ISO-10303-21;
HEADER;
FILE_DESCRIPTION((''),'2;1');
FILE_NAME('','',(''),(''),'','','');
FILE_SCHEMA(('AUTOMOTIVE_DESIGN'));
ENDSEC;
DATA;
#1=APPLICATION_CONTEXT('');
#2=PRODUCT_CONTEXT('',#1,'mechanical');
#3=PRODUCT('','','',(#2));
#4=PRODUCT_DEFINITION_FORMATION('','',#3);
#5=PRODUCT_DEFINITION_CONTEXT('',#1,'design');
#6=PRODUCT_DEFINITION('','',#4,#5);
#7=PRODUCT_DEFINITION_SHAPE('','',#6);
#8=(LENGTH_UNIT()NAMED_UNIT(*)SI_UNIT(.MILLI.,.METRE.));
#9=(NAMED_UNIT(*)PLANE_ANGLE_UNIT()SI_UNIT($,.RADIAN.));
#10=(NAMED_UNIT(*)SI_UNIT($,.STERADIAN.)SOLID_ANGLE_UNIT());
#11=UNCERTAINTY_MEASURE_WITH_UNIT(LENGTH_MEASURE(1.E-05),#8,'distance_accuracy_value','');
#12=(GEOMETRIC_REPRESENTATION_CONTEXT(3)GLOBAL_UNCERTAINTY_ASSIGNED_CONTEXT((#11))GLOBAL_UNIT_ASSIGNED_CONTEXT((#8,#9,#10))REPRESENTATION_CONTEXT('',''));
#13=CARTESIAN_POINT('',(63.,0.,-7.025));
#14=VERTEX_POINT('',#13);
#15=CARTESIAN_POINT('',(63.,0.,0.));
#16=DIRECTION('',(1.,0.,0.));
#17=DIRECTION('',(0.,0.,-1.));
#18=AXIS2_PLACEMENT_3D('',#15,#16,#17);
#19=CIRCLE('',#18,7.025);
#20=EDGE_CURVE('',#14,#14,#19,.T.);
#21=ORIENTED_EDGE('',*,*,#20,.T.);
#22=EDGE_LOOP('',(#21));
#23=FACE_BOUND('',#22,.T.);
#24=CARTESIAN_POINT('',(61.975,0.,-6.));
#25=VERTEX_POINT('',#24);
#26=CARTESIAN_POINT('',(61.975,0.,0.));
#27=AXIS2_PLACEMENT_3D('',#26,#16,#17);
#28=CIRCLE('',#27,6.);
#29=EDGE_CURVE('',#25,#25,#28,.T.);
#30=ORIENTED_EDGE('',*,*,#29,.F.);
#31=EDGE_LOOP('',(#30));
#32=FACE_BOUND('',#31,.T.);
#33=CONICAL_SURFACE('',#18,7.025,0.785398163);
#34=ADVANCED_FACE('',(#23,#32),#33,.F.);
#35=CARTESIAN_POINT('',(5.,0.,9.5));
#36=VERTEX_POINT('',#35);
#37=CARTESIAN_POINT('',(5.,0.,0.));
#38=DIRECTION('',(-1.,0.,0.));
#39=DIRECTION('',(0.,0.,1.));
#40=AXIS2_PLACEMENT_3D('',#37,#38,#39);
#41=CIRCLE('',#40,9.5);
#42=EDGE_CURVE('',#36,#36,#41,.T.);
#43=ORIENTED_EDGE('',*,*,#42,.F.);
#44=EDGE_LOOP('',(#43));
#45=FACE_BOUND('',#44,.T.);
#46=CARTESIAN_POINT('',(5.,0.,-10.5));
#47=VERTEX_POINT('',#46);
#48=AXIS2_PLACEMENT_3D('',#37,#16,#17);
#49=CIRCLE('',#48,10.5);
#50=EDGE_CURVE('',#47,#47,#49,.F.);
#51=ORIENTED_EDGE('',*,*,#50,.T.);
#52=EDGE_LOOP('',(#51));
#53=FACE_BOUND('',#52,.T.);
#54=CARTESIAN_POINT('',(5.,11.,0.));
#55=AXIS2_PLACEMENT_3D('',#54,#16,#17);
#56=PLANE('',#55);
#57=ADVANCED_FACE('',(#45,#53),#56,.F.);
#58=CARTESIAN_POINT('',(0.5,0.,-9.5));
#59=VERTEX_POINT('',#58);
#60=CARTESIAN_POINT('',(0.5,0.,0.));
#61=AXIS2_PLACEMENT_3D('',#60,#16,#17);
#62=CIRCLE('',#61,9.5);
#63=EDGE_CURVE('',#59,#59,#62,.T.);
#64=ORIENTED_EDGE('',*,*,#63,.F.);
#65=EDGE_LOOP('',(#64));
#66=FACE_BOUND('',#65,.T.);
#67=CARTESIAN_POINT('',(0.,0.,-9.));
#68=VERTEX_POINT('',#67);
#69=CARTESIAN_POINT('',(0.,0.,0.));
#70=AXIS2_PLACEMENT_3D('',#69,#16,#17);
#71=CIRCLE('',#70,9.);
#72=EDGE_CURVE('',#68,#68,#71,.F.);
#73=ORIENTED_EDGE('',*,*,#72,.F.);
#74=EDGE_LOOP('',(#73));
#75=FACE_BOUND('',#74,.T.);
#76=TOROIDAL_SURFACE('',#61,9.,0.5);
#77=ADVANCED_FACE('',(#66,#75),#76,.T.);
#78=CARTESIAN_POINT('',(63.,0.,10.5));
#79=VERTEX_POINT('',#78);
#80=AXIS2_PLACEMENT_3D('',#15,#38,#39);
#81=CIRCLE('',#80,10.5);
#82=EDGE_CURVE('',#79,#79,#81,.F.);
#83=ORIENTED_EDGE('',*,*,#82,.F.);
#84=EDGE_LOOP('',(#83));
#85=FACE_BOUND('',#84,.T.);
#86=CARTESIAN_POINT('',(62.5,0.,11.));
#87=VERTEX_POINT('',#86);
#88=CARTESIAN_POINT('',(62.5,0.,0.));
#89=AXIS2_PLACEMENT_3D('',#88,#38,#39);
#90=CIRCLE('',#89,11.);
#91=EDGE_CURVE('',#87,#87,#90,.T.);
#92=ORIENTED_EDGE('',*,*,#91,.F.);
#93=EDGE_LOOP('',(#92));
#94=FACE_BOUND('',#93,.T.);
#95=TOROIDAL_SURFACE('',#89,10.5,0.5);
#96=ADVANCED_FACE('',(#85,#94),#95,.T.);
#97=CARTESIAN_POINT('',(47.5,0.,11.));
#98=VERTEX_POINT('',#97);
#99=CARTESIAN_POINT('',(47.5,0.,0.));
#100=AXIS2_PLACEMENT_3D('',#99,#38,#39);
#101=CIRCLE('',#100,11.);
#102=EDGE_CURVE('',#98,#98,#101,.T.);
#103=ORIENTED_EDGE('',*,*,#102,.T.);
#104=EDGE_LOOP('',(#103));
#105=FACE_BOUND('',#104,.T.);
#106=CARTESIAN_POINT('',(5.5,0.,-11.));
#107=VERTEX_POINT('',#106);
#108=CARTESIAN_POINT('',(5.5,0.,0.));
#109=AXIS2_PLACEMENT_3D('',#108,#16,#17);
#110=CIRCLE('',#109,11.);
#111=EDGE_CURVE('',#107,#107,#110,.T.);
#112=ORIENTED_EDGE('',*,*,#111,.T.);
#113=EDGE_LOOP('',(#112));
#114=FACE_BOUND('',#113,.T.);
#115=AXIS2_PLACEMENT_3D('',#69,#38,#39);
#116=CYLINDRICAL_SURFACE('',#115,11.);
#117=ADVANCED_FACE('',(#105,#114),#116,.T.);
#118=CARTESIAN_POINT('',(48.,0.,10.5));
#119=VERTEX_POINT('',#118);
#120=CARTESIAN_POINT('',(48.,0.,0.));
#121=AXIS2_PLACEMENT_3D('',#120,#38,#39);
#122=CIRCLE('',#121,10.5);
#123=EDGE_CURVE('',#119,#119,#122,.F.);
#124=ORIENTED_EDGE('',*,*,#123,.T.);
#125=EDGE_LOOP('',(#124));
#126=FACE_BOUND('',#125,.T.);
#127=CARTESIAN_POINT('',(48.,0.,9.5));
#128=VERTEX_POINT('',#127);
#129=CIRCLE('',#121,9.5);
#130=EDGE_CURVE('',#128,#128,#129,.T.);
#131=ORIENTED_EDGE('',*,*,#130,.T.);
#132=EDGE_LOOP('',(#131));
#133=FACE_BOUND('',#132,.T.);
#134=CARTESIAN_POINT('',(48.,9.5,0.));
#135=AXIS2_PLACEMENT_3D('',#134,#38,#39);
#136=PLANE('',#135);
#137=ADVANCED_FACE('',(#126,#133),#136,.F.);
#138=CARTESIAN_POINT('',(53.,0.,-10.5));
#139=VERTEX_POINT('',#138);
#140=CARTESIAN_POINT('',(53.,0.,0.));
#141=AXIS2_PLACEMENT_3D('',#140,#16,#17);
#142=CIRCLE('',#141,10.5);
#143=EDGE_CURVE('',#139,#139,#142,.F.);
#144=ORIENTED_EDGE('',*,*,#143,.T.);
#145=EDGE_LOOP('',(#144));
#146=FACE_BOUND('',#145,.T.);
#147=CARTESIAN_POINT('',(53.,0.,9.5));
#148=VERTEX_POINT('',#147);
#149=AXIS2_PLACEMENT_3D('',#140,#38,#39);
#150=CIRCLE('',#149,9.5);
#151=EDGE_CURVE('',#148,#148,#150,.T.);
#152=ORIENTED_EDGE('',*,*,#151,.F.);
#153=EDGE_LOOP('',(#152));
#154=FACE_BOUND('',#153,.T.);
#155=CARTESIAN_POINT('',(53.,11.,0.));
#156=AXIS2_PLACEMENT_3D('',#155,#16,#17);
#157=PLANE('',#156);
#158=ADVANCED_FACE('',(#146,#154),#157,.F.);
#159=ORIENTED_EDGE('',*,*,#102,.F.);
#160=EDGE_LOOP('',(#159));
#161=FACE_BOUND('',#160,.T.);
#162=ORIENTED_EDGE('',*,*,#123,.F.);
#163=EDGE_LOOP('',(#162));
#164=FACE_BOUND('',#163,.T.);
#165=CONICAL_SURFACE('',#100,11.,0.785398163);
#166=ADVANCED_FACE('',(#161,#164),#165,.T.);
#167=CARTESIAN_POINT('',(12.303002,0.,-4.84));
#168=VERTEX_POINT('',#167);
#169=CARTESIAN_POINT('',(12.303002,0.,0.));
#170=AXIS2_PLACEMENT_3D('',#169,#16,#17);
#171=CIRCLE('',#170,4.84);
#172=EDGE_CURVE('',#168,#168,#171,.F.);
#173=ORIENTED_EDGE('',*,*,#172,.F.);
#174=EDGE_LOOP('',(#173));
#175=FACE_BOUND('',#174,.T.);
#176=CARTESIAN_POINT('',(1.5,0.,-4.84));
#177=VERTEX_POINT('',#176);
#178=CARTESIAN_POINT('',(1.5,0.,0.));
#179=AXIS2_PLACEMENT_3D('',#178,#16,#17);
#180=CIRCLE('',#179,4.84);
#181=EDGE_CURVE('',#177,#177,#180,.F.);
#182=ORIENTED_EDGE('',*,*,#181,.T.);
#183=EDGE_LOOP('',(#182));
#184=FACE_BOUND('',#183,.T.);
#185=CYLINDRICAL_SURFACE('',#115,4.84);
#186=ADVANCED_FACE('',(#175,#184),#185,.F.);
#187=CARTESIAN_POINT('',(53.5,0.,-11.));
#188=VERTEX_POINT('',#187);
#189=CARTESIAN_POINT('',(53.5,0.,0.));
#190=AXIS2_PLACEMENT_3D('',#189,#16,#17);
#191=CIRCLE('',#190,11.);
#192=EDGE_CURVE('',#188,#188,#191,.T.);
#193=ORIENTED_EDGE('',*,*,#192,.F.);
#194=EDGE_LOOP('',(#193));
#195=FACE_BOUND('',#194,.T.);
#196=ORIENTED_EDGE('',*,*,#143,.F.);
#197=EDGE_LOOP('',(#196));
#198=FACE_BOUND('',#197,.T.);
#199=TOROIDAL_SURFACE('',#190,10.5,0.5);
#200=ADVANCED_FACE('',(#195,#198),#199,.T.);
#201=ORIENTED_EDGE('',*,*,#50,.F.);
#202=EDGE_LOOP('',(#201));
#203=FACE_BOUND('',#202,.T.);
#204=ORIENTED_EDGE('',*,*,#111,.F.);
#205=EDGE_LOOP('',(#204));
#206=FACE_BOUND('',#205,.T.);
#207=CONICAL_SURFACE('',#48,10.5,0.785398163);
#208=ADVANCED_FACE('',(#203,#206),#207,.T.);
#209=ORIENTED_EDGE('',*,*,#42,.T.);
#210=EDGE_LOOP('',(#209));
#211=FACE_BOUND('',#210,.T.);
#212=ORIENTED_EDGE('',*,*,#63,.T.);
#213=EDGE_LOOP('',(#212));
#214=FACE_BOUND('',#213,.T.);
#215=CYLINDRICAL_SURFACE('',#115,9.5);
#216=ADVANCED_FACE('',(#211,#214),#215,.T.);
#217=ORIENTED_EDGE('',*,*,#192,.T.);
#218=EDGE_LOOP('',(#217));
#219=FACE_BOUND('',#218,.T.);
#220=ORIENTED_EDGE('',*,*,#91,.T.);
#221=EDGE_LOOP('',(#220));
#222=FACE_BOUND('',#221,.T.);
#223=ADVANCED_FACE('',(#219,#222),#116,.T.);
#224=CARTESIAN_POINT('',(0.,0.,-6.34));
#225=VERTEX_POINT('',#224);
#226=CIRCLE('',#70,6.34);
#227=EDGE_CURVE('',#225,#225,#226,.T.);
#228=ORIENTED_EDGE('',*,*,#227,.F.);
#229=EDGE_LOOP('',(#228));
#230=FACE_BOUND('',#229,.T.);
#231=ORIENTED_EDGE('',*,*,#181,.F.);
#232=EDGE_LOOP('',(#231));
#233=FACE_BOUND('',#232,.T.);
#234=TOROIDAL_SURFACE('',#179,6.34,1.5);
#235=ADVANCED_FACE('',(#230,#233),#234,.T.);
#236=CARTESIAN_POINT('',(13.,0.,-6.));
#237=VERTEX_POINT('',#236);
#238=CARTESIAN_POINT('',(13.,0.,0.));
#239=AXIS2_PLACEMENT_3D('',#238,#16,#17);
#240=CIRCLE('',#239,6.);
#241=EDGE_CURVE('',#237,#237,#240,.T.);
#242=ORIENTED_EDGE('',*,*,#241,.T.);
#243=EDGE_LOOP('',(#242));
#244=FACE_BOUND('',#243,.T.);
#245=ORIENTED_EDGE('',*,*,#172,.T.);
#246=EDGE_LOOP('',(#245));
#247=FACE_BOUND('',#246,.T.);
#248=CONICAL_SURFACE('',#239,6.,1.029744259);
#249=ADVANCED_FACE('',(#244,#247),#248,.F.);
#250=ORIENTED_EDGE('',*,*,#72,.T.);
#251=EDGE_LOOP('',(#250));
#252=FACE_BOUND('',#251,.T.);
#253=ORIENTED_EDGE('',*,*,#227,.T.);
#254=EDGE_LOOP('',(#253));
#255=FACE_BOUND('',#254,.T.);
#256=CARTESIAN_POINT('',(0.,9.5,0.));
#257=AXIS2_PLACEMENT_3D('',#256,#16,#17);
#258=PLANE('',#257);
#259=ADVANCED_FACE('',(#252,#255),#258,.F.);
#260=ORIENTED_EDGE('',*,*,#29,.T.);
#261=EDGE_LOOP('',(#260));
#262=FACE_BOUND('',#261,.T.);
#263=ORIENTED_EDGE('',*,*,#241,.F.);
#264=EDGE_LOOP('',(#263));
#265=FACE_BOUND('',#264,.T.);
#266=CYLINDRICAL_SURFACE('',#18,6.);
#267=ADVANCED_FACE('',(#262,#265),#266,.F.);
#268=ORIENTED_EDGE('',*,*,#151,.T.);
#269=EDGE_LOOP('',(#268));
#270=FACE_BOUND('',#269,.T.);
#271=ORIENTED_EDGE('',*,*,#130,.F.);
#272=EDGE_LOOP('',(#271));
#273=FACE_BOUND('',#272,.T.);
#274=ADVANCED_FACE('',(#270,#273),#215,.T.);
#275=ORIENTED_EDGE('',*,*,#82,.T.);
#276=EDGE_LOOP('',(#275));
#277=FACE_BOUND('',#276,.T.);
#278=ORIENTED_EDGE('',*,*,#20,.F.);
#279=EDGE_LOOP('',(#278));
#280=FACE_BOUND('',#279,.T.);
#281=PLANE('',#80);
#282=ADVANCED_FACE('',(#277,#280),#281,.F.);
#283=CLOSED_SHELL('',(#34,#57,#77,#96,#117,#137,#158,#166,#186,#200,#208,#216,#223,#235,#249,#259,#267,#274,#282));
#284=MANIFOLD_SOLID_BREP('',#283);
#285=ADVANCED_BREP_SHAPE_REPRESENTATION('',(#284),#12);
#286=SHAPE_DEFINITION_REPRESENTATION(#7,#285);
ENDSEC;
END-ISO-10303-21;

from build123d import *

# Parameters (mm, degrees)
FURO_ROSCADO_DE_M141_D           = 12
FURO_ROSCADO_DE_M141_DEPTH       = 50
FURO_ROSCADO_DE_M141_CSINK_D     = 14.05
FURO_ROSCADO_DE_M141_CSINK_ANGLE = 90
FURO_ROSCADO_DE_M141_TIP         = 3.605163714
FURO1_D                          = 9.68
FILETE1_R                        = 0.5
FILETE2_R                        = 1.5
CHANFRO1_SIZE                    = 0.5


with BuildPart() as part:
    # Esboço1 → Revolução1 (revolve)
    with BuildSketch(Plane.XY, mode=Mode.PRIVATE) as revolu_o1_sk:
        Polygon((0, 0), (63, 0), (63, 11), (53, 11), (53, 9.5), (48, 9.5), (48, 11), (5, 11), (5, 9.5), (0, 9.5), align=None)
    revolve(revolu_o1_sk.sketch.rotate(Axis((0, 0, 0), (1, 0, 0)), 90), axis=Axis((0, 0, 0), (1, 0, 0)))

    # Furo roscado de M141
    with Locations(Plane(origin=(63, 0, 0), x_dir=(0, 0, -1), z_dir=(1, 0, 0))):
        with Locations((0, 0)):
            CounterSinkHole(FURO_ROSCADO_DE_M141_D / 2, FURO_ROSCADO_DE_M141_CSINK_D / 2, depth=FURO_ROSCADO_DE_M141_DEPTH, counter_sink_angle=FURO_ROSCADO_DE_M141_CSINK_ANGLE)
            with Locations((0, 0, -(FURO_ROSCADO_DE_M141_DEPTH + FURO_ROSCADO_DE_M141_TIP / 2))):  # 118° drill point
                Cone(0, FURO_ROSCADO_DE_M141_D / 2, FURO_ROSCADO_DE_M141_TIP, mode=Mode.SUBTRACT)

    # Furo1 (through all)
    with Locations(Plane.ZY):
        with Locations((0, 0)):
            Hole(FURO1_D / 2)

    # Filete1
    filete1_edges = [part.edges().sort_by_distance(p)[0] for p in [
        (63, 0, -11),
        (0, 0, -9.5),
        (53, 0, -11),
    ]]
    fillet(filete1_edges, radius=FILETE1_R)

    # Filete2
    filete2_edges = [part.edges().sort_by_distance(p)[0] for p in [
        (0, 0, 4.84),
    ]]
    fillet(filete2_edges, radius=FILETE2_R)

    # Chanfro1
    chanfro1_edges = [part.edges().sort_by_distance(p)[0] for p in [
        (5, 0, -11),
        (48, 0, -11),
    ]]
    chamfer(chanfro1_edges, length=CHANFRO1_SIZE)


solid = part.part
